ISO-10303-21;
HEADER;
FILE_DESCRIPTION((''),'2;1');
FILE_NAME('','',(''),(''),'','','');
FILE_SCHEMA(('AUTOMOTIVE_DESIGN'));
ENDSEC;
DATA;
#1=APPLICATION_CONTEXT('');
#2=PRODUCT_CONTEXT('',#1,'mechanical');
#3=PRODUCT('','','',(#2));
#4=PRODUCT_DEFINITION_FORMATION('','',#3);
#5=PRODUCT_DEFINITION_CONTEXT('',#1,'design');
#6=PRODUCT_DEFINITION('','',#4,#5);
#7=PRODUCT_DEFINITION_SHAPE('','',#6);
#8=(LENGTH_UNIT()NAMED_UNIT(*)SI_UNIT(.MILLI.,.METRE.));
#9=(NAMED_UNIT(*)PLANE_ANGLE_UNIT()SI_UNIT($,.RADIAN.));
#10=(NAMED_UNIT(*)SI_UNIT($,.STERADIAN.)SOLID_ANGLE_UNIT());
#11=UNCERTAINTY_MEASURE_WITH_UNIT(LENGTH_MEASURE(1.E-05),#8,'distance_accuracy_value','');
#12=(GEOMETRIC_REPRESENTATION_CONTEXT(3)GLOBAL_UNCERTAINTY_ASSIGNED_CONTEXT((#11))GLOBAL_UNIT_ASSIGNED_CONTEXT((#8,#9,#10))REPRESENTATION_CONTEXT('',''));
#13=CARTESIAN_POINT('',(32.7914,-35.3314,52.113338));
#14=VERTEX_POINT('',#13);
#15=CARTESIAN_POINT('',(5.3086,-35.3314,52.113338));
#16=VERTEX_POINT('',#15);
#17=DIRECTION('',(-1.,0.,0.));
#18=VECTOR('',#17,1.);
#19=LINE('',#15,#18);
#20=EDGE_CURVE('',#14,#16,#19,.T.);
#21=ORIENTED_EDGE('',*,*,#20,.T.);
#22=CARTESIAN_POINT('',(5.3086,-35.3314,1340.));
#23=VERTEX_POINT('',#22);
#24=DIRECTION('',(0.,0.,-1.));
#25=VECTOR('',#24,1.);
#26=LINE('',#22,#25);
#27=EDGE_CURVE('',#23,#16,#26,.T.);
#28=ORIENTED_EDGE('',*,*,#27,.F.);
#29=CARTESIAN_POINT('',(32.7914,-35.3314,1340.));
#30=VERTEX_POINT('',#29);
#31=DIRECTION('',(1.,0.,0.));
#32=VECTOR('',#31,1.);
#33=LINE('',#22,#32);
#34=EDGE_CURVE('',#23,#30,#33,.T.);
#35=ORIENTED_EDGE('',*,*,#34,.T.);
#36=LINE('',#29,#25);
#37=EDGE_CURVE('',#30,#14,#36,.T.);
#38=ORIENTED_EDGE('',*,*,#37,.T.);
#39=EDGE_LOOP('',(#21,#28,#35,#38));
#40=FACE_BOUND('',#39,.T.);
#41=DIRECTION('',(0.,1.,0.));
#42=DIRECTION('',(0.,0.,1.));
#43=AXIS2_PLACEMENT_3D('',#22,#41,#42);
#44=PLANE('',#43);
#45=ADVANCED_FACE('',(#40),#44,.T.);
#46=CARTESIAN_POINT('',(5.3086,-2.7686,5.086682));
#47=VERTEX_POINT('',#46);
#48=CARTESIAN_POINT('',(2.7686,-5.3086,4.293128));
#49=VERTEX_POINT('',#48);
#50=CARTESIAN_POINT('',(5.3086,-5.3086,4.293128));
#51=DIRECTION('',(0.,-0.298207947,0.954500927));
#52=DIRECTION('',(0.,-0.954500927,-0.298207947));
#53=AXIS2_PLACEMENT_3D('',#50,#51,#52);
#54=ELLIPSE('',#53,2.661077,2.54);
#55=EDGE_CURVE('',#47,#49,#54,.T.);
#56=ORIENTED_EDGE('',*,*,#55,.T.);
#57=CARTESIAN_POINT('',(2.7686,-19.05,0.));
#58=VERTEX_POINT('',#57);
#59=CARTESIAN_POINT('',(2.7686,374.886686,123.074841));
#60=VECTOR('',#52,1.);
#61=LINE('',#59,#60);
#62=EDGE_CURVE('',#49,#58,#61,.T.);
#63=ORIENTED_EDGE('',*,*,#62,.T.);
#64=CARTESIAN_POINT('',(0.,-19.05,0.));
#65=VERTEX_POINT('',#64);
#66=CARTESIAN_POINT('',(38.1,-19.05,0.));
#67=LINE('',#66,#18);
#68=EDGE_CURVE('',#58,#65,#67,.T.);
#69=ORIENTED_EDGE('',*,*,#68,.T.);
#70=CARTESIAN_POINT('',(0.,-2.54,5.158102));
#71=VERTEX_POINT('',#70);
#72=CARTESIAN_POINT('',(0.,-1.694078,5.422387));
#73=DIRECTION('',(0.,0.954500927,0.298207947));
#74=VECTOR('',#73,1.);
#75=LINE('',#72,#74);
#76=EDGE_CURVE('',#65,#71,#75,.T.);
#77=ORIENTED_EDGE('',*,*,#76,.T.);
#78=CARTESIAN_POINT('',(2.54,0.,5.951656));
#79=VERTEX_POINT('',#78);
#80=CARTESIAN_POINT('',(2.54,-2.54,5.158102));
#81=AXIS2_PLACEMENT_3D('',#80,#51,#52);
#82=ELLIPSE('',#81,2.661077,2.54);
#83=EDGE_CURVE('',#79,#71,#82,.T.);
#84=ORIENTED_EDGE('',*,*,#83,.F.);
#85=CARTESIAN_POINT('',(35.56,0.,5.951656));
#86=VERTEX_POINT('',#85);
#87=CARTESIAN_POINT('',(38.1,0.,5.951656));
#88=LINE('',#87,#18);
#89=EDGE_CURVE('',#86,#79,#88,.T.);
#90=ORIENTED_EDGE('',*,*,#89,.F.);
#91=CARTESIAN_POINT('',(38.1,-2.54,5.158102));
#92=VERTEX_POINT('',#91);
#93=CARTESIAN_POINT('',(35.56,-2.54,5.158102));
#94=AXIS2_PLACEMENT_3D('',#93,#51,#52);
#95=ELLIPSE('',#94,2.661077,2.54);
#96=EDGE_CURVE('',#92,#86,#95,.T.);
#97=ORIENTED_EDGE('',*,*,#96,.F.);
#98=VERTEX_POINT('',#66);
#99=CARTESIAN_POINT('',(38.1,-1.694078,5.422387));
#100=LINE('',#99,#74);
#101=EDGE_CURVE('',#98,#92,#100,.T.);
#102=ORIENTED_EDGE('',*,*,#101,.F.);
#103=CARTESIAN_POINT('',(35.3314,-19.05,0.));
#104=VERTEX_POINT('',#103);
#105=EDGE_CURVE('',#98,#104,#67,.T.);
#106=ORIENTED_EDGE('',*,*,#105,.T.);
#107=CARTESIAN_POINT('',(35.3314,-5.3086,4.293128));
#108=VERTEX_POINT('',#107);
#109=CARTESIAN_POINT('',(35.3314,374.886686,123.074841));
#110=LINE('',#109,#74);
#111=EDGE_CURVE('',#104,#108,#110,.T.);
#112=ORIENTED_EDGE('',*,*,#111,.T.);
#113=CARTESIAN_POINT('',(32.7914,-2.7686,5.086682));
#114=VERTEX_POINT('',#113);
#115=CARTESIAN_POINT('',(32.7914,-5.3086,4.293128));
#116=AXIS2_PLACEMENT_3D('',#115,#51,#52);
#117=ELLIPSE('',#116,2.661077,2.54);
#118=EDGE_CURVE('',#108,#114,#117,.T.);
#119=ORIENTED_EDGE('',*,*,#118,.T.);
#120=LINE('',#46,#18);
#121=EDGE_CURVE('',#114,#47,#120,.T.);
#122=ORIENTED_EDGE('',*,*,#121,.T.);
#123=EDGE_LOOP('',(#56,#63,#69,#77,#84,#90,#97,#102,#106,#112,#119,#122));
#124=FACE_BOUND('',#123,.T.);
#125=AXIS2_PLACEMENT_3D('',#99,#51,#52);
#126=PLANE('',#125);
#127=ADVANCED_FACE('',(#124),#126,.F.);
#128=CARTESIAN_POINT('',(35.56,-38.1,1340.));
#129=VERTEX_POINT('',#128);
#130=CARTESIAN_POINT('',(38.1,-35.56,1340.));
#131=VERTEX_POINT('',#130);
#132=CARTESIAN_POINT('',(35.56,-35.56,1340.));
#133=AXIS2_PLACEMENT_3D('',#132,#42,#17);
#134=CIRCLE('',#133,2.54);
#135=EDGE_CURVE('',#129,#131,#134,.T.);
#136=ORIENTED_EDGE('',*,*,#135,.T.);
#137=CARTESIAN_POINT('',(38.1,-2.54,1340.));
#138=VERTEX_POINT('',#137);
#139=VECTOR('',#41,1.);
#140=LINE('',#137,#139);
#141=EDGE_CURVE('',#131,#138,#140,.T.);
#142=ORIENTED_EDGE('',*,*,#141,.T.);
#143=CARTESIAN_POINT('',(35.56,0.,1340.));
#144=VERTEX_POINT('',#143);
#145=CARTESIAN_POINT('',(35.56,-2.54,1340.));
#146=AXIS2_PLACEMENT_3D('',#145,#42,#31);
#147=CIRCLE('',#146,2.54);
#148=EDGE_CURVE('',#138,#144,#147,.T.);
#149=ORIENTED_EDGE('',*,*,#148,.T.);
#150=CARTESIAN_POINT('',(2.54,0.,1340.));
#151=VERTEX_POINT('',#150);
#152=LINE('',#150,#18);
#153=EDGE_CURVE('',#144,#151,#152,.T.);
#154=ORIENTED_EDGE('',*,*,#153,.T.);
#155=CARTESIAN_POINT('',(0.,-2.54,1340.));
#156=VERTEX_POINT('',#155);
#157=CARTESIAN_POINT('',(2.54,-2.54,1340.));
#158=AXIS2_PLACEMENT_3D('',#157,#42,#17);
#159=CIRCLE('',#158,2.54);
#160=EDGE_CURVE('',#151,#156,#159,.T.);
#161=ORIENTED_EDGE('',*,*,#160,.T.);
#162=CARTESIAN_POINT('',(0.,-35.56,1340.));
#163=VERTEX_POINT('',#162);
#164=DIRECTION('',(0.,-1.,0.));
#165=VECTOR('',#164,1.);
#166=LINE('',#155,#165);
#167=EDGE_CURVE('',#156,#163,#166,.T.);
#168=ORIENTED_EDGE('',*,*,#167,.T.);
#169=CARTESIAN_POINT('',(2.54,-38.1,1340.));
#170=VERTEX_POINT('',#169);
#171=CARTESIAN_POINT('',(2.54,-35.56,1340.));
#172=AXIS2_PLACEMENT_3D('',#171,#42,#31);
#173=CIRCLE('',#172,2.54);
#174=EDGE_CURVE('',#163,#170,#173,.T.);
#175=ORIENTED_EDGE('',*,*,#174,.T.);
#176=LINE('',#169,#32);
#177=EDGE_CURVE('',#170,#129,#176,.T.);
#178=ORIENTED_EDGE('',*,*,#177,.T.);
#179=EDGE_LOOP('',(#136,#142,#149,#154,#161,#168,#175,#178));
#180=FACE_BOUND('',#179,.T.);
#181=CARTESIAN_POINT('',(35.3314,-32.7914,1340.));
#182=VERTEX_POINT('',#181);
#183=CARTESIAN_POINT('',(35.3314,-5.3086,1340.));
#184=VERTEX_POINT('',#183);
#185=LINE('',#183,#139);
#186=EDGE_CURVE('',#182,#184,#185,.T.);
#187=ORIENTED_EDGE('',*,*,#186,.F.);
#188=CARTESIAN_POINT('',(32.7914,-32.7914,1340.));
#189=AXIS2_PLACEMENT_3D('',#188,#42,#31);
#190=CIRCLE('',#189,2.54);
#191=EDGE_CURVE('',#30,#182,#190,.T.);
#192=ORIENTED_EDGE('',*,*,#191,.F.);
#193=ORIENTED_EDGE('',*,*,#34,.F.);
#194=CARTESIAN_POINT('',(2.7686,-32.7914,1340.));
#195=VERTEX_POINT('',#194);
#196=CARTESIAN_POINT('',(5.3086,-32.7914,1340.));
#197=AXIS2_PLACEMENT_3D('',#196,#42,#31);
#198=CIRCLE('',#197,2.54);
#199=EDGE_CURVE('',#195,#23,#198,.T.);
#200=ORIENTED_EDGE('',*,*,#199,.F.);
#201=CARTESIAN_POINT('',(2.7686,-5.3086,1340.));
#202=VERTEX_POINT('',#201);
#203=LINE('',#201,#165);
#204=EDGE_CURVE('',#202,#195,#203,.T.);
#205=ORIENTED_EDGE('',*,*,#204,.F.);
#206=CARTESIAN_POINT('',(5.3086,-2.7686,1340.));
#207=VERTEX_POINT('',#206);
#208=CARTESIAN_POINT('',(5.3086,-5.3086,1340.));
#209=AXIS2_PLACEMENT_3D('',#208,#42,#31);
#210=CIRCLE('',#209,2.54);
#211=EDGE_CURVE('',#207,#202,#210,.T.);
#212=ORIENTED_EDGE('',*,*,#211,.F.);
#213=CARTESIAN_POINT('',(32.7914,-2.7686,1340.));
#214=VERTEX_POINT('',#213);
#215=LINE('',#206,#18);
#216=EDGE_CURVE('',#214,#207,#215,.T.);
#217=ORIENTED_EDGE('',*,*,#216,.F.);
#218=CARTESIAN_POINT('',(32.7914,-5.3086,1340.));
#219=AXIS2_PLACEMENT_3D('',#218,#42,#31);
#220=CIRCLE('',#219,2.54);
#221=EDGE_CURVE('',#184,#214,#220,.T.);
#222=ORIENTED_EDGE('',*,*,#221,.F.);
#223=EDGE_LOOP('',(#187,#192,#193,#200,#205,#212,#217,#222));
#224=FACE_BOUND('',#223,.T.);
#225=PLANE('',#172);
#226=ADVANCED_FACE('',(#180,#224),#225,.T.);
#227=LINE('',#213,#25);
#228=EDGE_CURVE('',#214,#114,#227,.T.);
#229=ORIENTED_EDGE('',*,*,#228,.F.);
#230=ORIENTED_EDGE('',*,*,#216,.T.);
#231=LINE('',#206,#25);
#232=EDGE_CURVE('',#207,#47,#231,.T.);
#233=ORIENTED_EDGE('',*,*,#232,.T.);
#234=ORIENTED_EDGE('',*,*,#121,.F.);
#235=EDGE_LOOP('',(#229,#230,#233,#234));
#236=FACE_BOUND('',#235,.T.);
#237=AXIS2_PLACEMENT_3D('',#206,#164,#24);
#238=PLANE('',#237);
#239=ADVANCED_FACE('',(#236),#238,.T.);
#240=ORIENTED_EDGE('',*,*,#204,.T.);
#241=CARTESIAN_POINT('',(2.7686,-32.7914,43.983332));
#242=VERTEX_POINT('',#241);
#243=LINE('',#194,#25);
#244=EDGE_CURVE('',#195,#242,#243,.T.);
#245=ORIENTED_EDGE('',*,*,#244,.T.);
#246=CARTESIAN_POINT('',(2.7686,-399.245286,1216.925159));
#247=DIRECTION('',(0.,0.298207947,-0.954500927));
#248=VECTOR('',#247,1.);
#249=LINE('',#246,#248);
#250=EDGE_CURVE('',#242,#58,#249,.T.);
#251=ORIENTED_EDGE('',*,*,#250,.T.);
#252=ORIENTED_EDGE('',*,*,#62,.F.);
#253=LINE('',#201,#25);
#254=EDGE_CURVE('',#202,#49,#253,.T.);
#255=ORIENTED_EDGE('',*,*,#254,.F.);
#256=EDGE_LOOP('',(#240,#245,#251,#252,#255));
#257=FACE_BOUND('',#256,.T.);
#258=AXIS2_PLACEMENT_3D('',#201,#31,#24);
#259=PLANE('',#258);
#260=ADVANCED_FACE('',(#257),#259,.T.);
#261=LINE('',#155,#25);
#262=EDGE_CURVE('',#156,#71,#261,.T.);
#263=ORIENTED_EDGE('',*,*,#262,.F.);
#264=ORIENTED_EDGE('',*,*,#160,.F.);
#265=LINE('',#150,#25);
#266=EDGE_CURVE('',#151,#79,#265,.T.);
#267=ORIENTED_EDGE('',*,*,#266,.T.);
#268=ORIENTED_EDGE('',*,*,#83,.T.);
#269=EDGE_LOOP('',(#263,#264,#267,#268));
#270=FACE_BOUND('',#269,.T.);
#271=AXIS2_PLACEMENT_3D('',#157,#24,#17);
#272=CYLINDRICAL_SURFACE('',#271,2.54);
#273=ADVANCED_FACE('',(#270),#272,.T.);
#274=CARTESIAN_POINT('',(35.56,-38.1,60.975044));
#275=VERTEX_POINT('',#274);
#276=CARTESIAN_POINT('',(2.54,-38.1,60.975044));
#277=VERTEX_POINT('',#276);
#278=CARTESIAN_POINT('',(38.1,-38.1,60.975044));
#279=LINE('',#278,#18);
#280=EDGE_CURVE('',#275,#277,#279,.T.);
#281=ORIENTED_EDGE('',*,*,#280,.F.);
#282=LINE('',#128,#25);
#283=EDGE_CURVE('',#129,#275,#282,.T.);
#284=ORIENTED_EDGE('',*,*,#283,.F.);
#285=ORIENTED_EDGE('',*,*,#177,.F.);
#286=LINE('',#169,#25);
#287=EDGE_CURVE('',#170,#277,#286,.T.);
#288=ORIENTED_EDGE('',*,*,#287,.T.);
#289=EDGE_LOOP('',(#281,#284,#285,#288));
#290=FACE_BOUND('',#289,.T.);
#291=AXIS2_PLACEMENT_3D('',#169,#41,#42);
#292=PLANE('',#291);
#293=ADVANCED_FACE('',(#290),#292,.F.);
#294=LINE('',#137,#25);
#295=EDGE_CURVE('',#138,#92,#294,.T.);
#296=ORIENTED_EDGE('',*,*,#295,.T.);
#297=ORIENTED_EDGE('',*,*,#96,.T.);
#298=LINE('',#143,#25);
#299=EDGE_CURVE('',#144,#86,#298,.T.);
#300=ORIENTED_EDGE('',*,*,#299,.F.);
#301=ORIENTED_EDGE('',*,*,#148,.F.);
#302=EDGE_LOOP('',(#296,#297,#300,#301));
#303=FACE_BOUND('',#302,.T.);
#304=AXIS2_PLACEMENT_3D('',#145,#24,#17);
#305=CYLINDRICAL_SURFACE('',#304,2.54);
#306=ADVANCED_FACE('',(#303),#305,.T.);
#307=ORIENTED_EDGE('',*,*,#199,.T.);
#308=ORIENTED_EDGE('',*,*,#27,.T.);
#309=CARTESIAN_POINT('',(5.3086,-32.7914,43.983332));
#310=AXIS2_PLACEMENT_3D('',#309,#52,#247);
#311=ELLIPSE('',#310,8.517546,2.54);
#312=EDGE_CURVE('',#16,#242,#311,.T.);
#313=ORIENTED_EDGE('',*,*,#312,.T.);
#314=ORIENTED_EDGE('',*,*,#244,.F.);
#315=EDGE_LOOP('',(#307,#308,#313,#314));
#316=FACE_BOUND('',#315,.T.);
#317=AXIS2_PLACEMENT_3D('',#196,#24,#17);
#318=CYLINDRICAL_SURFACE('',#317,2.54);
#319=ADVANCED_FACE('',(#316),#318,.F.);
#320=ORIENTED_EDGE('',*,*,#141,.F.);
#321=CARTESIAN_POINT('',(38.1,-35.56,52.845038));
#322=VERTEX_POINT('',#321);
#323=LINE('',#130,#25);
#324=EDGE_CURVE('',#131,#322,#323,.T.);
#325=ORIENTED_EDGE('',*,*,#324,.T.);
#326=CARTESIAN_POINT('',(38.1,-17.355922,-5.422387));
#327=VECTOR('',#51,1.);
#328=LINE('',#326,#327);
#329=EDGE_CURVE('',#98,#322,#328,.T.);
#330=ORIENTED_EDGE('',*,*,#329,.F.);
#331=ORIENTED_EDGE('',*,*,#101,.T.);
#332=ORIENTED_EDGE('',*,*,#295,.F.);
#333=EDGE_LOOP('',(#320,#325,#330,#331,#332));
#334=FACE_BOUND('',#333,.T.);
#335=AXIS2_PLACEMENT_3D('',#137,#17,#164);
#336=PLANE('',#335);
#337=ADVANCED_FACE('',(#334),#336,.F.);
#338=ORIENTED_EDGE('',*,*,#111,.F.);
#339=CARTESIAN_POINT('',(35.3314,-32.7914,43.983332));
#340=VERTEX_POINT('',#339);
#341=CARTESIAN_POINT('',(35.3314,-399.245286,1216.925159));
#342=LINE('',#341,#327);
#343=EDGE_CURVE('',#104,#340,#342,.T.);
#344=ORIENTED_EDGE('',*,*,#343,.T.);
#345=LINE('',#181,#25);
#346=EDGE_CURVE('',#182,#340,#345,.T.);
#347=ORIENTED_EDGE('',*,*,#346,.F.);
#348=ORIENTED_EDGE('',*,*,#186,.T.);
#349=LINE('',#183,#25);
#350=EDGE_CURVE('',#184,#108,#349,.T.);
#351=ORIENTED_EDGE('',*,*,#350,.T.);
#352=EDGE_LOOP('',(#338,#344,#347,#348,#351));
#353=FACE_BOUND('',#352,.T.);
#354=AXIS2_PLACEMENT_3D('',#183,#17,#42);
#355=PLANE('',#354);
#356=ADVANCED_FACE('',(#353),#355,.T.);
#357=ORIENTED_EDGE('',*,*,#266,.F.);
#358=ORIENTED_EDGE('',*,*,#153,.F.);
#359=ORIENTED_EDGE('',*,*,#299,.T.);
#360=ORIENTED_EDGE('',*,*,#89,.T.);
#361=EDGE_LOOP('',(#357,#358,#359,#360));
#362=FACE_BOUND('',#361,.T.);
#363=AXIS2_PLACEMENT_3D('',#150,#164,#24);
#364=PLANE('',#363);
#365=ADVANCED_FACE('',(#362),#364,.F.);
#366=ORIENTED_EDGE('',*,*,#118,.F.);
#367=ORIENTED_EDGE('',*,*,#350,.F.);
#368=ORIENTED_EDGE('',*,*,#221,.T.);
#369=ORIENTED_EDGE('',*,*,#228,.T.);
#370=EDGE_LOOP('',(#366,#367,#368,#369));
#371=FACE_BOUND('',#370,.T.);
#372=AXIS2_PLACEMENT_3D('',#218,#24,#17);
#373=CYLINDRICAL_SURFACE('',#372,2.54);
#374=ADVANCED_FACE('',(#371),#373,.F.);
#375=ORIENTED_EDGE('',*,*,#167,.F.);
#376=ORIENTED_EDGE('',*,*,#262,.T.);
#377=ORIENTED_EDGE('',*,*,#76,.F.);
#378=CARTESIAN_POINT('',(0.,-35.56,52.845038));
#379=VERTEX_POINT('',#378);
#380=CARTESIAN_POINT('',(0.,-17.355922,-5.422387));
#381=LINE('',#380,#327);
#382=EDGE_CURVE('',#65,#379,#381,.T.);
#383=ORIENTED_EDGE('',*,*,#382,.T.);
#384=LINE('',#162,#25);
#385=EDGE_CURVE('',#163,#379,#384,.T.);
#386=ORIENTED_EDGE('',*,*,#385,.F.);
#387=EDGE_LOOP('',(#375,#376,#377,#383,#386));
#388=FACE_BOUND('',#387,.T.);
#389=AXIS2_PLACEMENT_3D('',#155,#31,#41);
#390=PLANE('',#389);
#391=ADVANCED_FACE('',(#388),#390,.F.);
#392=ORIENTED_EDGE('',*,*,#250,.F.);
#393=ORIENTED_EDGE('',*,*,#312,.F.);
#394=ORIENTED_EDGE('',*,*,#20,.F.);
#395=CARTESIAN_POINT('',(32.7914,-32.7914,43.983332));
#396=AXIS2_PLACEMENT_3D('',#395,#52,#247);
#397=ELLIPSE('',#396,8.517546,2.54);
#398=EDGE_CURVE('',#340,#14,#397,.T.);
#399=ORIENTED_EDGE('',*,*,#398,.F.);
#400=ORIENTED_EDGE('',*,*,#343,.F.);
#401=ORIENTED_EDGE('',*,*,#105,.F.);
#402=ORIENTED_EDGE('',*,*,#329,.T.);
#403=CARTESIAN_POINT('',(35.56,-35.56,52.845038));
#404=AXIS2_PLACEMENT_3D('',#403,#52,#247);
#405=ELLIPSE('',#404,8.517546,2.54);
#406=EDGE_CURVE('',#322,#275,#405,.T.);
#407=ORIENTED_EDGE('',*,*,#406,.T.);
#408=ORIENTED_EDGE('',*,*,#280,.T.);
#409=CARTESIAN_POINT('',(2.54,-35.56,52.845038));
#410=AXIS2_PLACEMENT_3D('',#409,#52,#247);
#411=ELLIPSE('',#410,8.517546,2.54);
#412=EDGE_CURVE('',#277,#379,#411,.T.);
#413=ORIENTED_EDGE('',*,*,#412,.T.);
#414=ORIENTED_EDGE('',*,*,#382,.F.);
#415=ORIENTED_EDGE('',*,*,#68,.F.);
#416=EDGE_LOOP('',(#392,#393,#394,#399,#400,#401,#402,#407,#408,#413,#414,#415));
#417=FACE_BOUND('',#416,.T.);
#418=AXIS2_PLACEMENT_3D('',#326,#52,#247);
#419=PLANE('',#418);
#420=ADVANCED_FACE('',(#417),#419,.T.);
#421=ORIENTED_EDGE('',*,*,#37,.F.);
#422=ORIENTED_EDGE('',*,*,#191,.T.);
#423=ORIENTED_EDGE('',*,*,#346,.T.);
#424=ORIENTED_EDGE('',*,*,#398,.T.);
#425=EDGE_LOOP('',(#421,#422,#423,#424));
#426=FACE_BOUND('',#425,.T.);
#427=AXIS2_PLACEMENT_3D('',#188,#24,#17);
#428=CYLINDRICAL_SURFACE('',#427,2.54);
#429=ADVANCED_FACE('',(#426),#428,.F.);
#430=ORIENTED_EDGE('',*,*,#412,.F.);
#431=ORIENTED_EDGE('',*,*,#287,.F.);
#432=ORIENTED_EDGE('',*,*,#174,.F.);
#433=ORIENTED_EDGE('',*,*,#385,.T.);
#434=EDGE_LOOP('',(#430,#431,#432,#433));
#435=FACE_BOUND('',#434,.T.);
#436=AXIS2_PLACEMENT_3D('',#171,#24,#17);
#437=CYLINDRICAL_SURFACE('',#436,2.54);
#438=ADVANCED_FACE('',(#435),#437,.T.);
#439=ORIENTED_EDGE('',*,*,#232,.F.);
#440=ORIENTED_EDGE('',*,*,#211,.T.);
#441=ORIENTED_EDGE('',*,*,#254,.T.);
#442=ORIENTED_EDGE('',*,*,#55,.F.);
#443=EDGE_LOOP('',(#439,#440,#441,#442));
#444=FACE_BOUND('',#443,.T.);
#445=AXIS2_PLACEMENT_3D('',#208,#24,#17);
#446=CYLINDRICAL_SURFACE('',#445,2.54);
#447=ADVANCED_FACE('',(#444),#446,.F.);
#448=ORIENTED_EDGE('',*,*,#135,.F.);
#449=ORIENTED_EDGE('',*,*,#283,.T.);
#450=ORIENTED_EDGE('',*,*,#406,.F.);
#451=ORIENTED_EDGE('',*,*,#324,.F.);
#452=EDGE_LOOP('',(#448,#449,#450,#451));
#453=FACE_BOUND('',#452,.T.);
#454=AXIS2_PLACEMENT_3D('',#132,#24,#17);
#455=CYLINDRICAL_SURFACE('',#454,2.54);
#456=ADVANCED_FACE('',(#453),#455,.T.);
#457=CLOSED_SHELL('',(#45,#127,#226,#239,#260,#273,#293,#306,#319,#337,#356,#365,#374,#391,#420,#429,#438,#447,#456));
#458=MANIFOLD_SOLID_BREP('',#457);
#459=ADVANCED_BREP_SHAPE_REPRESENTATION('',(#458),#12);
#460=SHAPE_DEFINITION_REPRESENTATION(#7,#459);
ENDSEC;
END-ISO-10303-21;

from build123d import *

# Parameters (mm, degrees)
BOSS_EXTRUDE1_DEPTH = 1340
CUT_EXTRUDE1_DEPTH  = 1342.082853518


with BuildPart() as part:
    # Sketch1 → Boss-Extrude1 (new body)
    with BuildSketch(Plane.XY):
        with BuildLine():
            Line((2.54, 0), (35.56, 0))
            ThreePointArc((35.56, 0), (37.356051224, -0.743948776), (38.1, -2.54))
            Line((38.1, -2.54), (38.1, -35.56))
            ThreePointArc((38.1, -35.56), (37.356051224, -37.356051224), (35.56, -38.1))
            Line((35.56, -38.1), (2.54, -38.1))
            ThreePointArc((2.54, -38.1), (0.743948776, -37.356051224), (0, -35.56))
            Line((0, -35.56), (0, -2.54))
            ThreePointArc((0, -2.54), (0.743948776, -0.743948776), (2.54, 0))
        make_face()
        with BuildLine():
            Line((5.3086, -2.7686), (32.7914, -2.7686))
            ThreePointArc((32.7914, -2.7686), (34.587451224, -3.512548776), (35.3314, -5.3086))
            Line((35.3314, -5.3086), (35.3314, -32.7914))
            ThreePointArc((35.3314, -32.7914), (34.587451224, -34.587451224), (32.7914, -35.3314))
            Line((32.7914, -35.3314), (5.3086, -35.3314))
            ThreePointArc((5.3086, -35.3314), (3.512548776, -34.587451224), (2.7686, -32.7914))
            Line((2.7686, -32.7914), (2.7686, -5.3086))
            ThreePointArc((2.7686, -5.3086), (3.512548776, -3.512548776), (5.3086, -2.7686))
        make_face(mode=Mode.SUBTRACT)
    extrude(amount=BOSS_EXTRUDE1_DEPTH)

    # Sketch2 → Cut-Extrude1 (cut, through all)
    with BuildSketch(Plane.ZY):
        Polygon((0, -2.54), (5.15810206, -2.54), (5.951656223, 0), (0, 0), align=None)
        Polygon((0, -2.54), (0, -19.05), (5.15810206, -2.54), align=None)
        Polygon((52.845038121, -35.56), (0, -19.05), (0, -35.56), align=None)
        Polygon((60.975043986, -38.1), (52.845038121, -35.56), (0, -35.56), (0, -38.1), align=None)
    extrude(amount=-CUT_EXTRUDE1_DEPTH, mode=Mode.SUBTRACT)


solid = part.part
